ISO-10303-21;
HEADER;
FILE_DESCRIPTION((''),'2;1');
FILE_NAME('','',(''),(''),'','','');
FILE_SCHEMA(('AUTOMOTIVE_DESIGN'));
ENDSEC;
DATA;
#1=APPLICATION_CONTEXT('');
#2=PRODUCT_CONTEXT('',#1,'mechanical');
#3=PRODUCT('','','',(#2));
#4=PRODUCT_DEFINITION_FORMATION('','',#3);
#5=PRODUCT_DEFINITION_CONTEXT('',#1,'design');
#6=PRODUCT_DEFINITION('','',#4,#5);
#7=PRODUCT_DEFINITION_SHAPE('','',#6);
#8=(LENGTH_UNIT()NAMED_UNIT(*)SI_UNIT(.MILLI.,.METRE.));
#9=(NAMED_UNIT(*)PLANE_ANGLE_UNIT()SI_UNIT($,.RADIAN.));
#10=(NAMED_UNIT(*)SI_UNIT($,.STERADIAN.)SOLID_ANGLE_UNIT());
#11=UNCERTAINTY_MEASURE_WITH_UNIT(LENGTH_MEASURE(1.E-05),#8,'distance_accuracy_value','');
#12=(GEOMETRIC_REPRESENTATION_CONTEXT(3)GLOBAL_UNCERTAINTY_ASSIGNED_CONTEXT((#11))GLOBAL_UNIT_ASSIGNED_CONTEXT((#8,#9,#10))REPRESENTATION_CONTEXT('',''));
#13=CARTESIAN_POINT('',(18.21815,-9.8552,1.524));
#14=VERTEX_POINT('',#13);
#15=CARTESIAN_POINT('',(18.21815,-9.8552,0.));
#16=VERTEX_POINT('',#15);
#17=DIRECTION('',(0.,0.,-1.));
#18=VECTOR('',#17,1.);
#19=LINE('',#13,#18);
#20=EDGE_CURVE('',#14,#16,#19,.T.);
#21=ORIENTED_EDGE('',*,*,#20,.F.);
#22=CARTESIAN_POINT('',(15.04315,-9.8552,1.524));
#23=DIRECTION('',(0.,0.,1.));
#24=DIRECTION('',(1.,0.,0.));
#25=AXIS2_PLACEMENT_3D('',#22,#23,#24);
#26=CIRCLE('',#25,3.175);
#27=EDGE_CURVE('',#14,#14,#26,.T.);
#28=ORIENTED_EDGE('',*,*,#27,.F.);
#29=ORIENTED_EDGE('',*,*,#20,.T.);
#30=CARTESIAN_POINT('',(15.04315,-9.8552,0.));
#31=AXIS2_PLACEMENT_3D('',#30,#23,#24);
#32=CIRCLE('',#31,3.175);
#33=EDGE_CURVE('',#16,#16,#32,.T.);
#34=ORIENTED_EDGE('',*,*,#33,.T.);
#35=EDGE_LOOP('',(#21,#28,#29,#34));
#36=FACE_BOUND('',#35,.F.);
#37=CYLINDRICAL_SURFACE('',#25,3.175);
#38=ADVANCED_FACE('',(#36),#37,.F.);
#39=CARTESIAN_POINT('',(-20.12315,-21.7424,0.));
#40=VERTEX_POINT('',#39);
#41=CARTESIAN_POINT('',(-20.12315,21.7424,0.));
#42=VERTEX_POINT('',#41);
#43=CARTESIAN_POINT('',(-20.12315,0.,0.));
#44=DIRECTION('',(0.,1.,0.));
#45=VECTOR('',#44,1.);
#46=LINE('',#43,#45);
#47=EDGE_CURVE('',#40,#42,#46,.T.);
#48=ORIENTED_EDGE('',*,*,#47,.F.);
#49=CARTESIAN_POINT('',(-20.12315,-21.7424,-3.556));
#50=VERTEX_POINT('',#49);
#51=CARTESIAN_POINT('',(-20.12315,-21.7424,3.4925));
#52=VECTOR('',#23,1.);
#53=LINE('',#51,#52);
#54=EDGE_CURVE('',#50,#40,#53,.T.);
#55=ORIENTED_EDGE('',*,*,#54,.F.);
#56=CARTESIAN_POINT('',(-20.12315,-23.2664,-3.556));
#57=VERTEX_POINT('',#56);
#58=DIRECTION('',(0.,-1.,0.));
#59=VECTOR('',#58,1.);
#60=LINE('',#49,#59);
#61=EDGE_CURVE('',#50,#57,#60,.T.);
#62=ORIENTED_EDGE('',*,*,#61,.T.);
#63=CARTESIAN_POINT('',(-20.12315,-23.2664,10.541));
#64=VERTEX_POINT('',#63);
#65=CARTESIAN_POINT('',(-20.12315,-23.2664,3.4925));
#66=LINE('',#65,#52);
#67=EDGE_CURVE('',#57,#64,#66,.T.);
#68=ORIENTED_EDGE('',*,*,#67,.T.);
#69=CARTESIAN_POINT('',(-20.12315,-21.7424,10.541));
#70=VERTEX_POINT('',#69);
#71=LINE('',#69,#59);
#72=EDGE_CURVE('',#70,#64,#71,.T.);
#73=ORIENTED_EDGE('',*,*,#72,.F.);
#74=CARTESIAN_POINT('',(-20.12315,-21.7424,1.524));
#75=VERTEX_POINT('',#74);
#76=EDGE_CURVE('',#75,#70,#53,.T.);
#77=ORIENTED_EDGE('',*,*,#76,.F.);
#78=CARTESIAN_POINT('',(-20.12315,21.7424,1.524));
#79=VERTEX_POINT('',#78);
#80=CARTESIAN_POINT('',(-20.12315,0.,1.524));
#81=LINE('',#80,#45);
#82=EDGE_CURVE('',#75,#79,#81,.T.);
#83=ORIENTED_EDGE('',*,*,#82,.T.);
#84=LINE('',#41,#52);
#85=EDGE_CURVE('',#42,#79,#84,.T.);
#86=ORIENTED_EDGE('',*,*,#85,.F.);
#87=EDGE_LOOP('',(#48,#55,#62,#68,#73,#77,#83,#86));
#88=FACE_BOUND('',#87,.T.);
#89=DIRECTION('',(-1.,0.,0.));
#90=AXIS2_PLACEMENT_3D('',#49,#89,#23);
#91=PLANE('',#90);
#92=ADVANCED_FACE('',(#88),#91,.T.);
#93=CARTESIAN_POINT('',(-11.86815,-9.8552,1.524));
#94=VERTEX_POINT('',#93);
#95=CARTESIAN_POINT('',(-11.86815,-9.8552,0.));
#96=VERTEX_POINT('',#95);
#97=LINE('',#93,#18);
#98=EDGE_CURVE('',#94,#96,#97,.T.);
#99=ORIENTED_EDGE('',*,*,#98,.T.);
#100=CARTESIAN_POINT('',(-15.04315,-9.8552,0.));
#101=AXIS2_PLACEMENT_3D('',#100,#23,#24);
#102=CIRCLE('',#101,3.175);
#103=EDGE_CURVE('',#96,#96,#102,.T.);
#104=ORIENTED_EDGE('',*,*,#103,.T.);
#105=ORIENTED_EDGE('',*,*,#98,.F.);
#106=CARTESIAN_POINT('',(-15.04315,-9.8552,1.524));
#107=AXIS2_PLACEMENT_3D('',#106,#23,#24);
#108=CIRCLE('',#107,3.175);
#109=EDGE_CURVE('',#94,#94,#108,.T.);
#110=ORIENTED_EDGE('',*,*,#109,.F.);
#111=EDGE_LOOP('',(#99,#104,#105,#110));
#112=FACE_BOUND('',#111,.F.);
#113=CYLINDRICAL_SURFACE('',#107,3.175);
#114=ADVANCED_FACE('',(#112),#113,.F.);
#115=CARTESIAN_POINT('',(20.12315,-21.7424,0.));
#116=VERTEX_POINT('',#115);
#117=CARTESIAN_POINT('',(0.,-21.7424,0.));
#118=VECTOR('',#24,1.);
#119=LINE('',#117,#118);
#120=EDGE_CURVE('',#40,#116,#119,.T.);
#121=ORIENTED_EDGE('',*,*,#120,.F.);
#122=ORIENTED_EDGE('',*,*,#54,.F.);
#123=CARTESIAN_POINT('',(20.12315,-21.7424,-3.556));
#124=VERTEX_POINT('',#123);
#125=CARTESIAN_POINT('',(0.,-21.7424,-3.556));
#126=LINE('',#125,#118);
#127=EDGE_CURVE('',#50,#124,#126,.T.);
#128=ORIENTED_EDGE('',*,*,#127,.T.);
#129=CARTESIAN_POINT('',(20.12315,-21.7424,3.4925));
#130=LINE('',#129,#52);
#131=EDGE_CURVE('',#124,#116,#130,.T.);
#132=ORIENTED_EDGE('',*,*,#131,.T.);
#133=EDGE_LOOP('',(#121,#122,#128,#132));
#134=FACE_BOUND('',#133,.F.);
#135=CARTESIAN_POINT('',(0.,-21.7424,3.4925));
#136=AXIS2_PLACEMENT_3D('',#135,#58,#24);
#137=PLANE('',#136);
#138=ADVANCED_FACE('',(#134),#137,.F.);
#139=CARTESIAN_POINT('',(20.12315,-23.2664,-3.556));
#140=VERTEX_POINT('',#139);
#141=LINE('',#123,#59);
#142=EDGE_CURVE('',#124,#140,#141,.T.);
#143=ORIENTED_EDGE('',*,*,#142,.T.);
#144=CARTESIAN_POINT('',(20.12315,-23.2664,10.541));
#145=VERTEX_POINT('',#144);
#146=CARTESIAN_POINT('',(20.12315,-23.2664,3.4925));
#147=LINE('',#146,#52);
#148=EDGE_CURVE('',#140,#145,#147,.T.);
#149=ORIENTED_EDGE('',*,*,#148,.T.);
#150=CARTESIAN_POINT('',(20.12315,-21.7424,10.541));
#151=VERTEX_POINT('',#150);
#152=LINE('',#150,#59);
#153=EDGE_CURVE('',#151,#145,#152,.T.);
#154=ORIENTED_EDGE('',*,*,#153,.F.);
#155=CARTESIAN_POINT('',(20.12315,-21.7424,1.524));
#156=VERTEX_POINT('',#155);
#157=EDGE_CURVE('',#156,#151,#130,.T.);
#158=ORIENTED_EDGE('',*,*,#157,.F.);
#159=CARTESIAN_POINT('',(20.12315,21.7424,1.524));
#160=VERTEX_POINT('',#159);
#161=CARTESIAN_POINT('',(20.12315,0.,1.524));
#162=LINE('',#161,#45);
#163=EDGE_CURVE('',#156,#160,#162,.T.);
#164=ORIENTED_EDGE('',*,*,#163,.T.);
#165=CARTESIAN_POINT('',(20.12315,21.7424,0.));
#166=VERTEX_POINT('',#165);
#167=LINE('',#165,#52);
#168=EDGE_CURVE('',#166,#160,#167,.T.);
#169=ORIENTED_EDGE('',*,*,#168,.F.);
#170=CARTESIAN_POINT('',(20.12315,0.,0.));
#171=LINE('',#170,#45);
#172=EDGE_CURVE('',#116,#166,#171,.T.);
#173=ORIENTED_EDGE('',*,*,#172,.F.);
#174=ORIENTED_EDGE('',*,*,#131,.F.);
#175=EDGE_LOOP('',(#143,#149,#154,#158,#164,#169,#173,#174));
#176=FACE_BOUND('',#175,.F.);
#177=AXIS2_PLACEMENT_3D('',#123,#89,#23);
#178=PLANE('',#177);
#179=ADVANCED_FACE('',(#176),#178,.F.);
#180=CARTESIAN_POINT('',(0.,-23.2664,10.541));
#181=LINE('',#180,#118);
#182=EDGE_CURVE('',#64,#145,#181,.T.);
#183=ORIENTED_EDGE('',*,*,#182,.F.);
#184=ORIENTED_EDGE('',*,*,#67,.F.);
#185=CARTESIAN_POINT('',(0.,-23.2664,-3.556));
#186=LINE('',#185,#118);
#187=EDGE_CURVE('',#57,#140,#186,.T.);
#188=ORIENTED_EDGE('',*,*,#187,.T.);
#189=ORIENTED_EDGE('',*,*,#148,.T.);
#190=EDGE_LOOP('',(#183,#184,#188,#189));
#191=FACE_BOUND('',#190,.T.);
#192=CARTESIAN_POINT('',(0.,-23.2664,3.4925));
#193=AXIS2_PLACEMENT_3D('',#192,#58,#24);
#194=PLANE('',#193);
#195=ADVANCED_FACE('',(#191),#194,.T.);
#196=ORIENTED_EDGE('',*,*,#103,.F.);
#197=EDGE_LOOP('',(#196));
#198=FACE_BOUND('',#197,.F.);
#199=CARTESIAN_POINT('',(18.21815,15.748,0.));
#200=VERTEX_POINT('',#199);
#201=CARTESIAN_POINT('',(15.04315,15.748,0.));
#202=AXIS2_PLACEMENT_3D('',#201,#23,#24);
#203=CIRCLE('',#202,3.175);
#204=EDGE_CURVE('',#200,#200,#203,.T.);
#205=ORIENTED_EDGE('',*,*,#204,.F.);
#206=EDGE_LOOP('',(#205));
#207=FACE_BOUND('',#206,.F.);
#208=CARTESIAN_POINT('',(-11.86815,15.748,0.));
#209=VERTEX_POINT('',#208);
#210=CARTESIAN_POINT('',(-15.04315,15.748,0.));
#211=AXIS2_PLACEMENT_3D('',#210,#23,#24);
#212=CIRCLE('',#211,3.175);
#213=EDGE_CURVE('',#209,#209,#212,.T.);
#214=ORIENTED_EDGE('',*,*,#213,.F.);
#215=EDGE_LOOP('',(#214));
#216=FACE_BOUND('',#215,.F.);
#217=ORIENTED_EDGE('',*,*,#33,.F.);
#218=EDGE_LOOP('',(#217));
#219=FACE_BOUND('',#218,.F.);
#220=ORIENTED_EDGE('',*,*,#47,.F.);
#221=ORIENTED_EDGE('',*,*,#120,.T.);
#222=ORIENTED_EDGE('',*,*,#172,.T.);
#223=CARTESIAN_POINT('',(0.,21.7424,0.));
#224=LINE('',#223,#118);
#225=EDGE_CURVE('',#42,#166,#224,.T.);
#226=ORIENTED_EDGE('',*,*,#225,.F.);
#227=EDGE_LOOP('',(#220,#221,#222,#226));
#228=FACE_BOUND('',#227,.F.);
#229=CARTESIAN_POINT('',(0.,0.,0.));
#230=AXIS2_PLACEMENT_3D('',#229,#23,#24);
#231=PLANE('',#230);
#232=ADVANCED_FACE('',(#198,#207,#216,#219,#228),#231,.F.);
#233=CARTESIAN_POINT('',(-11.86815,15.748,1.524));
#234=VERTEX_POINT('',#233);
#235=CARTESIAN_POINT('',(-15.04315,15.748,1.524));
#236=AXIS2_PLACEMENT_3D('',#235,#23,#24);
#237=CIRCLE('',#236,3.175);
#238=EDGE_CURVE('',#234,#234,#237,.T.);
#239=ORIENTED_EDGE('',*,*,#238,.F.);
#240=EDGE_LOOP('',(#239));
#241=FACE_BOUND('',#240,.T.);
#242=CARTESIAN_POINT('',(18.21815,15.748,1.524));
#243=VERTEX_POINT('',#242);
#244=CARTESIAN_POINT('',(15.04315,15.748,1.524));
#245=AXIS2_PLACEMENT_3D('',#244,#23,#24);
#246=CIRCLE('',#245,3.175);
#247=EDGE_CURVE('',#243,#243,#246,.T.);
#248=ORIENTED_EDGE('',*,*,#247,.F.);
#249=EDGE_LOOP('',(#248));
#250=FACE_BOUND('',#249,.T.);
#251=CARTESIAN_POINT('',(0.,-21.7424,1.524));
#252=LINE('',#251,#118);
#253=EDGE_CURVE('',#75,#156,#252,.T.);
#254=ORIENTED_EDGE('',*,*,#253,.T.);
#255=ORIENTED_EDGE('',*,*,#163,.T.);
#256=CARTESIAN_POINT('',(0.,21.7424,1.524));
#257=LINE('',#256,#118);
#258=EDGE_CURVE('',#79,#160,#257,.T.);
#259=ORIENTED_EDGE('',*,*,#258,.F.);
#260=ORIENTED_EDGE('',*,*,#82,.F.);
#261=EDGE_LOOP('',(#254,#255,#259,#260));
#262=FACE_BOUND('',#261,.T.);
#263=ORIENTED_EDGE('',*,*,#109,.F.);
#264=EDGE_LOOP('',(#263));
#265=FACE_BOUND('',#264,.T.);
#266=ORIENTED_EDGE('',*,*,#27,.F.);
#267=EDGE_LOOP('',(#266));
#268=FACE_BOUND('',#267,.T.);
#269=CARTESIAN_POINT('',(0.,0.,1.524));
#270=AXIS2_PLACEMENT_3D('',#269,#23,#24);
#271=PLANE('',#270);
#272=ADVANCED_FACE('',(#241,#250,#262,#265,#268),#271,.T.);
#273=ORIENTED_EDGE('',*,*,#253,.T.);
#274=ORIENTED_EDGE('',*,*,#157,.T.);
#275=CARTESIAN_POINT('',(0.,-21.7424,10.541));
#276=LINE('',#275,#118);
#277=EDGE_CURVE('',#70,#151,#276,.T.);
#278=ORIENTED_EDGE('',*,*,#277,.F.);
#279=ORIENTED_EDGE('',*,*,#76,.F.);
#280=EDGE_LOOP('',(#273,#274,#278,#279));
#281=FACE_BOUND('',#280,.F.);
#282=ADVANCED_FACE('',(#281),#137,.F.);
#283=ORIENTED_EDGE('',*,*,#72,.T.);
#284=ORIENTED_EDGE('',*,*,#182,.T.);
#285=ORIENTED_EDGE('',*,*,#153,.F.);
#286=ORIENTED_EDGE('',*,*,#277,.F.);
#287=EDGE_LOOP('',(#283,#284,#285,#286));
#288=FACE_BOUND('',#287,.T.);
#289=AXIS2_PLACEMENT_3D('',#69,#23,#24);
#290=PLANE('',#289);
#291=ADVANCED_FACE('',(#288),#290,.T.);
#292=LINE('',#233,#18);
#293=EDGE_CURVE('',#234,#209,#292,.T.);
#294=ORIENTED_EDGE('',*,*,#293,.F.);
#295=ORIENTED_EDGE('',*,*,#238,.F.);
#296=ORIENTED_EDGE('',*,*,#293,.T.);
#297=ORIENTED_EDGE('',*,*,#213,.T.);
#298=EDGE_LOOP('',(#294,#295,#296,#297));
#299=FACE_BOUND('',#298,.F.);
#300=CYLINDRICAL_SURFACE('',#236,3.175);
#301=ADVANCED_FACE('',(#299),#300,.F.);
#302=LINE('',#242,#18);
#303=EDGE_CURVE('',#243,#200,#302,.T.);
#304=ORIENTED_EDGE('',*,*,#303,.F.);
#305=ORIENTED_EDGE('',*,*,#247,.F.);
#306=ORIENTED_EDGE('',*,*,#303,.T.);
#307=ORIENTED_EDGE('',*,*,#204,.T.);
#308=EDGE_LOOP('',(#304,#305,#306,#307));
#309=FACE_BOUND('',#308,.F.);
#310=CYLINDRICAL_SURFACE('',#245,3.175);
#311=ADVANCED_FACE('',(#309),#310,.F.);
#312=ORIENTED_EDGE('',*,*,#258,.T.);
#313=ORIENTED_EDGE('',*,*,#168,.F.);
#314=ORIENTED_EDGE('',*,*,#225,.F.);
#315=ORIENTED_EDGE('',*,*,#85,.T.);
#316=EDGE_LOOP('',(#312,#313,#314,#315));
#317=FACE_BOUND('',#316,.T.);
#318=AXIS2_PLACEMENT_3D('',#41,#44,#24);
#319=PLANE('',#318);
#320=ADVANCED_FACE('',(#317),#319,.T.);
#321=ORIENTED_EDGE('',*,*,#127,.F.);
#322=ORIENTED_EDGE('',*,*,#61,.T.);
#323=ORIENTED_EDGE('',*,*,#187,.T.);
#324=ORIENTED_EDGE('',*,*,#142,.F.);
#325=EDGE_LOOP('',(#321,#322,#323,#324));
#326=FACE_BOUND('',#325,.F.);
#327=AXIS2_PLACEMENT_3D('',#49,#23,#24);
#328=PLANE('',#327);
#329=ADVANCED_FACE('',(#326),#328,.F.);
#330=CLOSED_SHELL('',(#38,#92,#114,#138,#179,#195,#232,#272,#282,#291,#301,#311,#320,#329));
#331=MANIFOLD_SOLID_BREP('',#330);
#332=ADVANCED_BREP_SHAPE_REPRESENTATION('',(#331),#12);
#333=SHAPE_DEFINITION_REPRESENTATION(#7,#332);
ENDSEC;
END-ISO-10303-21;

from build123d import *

# Parameters (mm, degrees)
F0_W     = 40.2463
F0_H     = 43.4848
F1_DEPTH = 1.524
F2_W     = 40.2463
F2_H     = 14.097
F3_DEPTH = 1.524
F4_R     = 3.175
F5_DEPTH = 25.4


with BuildPart() as f1:
    # F0 (on Top) → F1 (new body)
    with BuildSketch(Plane.XY):
        Rectangle(F0_W, F0_H)
    extrude(amount=F1_DEPTH)

    # F2 (on face) → F3 (join)
    with BuildSketch(Plane.XZ.offset(21.7424)):
        with Locations((0, 3.4925)):
            Rectangle(F2_W, F2_H)
    extrude(amount=F3_DEPTH)

    # F4 (on face) → F5 (cut)
    with BuildSketch(Plane.XY.offset(1.524)):
        with Locations((15.04315, 15.748)):
            Circle(F4_R)
        with Locations((15.04315, -9.8552)):
            Circle(F4_R)
        with Locations((-15.04315, 15.748)):
            Circle(F4_R)
        with Locations((-15.04315, -9.8552)):
            Circle(F4_R)
    extrude(amount=-F5_DEPTH, mode=Mode.SUBTRACT)


solid = f1.part
